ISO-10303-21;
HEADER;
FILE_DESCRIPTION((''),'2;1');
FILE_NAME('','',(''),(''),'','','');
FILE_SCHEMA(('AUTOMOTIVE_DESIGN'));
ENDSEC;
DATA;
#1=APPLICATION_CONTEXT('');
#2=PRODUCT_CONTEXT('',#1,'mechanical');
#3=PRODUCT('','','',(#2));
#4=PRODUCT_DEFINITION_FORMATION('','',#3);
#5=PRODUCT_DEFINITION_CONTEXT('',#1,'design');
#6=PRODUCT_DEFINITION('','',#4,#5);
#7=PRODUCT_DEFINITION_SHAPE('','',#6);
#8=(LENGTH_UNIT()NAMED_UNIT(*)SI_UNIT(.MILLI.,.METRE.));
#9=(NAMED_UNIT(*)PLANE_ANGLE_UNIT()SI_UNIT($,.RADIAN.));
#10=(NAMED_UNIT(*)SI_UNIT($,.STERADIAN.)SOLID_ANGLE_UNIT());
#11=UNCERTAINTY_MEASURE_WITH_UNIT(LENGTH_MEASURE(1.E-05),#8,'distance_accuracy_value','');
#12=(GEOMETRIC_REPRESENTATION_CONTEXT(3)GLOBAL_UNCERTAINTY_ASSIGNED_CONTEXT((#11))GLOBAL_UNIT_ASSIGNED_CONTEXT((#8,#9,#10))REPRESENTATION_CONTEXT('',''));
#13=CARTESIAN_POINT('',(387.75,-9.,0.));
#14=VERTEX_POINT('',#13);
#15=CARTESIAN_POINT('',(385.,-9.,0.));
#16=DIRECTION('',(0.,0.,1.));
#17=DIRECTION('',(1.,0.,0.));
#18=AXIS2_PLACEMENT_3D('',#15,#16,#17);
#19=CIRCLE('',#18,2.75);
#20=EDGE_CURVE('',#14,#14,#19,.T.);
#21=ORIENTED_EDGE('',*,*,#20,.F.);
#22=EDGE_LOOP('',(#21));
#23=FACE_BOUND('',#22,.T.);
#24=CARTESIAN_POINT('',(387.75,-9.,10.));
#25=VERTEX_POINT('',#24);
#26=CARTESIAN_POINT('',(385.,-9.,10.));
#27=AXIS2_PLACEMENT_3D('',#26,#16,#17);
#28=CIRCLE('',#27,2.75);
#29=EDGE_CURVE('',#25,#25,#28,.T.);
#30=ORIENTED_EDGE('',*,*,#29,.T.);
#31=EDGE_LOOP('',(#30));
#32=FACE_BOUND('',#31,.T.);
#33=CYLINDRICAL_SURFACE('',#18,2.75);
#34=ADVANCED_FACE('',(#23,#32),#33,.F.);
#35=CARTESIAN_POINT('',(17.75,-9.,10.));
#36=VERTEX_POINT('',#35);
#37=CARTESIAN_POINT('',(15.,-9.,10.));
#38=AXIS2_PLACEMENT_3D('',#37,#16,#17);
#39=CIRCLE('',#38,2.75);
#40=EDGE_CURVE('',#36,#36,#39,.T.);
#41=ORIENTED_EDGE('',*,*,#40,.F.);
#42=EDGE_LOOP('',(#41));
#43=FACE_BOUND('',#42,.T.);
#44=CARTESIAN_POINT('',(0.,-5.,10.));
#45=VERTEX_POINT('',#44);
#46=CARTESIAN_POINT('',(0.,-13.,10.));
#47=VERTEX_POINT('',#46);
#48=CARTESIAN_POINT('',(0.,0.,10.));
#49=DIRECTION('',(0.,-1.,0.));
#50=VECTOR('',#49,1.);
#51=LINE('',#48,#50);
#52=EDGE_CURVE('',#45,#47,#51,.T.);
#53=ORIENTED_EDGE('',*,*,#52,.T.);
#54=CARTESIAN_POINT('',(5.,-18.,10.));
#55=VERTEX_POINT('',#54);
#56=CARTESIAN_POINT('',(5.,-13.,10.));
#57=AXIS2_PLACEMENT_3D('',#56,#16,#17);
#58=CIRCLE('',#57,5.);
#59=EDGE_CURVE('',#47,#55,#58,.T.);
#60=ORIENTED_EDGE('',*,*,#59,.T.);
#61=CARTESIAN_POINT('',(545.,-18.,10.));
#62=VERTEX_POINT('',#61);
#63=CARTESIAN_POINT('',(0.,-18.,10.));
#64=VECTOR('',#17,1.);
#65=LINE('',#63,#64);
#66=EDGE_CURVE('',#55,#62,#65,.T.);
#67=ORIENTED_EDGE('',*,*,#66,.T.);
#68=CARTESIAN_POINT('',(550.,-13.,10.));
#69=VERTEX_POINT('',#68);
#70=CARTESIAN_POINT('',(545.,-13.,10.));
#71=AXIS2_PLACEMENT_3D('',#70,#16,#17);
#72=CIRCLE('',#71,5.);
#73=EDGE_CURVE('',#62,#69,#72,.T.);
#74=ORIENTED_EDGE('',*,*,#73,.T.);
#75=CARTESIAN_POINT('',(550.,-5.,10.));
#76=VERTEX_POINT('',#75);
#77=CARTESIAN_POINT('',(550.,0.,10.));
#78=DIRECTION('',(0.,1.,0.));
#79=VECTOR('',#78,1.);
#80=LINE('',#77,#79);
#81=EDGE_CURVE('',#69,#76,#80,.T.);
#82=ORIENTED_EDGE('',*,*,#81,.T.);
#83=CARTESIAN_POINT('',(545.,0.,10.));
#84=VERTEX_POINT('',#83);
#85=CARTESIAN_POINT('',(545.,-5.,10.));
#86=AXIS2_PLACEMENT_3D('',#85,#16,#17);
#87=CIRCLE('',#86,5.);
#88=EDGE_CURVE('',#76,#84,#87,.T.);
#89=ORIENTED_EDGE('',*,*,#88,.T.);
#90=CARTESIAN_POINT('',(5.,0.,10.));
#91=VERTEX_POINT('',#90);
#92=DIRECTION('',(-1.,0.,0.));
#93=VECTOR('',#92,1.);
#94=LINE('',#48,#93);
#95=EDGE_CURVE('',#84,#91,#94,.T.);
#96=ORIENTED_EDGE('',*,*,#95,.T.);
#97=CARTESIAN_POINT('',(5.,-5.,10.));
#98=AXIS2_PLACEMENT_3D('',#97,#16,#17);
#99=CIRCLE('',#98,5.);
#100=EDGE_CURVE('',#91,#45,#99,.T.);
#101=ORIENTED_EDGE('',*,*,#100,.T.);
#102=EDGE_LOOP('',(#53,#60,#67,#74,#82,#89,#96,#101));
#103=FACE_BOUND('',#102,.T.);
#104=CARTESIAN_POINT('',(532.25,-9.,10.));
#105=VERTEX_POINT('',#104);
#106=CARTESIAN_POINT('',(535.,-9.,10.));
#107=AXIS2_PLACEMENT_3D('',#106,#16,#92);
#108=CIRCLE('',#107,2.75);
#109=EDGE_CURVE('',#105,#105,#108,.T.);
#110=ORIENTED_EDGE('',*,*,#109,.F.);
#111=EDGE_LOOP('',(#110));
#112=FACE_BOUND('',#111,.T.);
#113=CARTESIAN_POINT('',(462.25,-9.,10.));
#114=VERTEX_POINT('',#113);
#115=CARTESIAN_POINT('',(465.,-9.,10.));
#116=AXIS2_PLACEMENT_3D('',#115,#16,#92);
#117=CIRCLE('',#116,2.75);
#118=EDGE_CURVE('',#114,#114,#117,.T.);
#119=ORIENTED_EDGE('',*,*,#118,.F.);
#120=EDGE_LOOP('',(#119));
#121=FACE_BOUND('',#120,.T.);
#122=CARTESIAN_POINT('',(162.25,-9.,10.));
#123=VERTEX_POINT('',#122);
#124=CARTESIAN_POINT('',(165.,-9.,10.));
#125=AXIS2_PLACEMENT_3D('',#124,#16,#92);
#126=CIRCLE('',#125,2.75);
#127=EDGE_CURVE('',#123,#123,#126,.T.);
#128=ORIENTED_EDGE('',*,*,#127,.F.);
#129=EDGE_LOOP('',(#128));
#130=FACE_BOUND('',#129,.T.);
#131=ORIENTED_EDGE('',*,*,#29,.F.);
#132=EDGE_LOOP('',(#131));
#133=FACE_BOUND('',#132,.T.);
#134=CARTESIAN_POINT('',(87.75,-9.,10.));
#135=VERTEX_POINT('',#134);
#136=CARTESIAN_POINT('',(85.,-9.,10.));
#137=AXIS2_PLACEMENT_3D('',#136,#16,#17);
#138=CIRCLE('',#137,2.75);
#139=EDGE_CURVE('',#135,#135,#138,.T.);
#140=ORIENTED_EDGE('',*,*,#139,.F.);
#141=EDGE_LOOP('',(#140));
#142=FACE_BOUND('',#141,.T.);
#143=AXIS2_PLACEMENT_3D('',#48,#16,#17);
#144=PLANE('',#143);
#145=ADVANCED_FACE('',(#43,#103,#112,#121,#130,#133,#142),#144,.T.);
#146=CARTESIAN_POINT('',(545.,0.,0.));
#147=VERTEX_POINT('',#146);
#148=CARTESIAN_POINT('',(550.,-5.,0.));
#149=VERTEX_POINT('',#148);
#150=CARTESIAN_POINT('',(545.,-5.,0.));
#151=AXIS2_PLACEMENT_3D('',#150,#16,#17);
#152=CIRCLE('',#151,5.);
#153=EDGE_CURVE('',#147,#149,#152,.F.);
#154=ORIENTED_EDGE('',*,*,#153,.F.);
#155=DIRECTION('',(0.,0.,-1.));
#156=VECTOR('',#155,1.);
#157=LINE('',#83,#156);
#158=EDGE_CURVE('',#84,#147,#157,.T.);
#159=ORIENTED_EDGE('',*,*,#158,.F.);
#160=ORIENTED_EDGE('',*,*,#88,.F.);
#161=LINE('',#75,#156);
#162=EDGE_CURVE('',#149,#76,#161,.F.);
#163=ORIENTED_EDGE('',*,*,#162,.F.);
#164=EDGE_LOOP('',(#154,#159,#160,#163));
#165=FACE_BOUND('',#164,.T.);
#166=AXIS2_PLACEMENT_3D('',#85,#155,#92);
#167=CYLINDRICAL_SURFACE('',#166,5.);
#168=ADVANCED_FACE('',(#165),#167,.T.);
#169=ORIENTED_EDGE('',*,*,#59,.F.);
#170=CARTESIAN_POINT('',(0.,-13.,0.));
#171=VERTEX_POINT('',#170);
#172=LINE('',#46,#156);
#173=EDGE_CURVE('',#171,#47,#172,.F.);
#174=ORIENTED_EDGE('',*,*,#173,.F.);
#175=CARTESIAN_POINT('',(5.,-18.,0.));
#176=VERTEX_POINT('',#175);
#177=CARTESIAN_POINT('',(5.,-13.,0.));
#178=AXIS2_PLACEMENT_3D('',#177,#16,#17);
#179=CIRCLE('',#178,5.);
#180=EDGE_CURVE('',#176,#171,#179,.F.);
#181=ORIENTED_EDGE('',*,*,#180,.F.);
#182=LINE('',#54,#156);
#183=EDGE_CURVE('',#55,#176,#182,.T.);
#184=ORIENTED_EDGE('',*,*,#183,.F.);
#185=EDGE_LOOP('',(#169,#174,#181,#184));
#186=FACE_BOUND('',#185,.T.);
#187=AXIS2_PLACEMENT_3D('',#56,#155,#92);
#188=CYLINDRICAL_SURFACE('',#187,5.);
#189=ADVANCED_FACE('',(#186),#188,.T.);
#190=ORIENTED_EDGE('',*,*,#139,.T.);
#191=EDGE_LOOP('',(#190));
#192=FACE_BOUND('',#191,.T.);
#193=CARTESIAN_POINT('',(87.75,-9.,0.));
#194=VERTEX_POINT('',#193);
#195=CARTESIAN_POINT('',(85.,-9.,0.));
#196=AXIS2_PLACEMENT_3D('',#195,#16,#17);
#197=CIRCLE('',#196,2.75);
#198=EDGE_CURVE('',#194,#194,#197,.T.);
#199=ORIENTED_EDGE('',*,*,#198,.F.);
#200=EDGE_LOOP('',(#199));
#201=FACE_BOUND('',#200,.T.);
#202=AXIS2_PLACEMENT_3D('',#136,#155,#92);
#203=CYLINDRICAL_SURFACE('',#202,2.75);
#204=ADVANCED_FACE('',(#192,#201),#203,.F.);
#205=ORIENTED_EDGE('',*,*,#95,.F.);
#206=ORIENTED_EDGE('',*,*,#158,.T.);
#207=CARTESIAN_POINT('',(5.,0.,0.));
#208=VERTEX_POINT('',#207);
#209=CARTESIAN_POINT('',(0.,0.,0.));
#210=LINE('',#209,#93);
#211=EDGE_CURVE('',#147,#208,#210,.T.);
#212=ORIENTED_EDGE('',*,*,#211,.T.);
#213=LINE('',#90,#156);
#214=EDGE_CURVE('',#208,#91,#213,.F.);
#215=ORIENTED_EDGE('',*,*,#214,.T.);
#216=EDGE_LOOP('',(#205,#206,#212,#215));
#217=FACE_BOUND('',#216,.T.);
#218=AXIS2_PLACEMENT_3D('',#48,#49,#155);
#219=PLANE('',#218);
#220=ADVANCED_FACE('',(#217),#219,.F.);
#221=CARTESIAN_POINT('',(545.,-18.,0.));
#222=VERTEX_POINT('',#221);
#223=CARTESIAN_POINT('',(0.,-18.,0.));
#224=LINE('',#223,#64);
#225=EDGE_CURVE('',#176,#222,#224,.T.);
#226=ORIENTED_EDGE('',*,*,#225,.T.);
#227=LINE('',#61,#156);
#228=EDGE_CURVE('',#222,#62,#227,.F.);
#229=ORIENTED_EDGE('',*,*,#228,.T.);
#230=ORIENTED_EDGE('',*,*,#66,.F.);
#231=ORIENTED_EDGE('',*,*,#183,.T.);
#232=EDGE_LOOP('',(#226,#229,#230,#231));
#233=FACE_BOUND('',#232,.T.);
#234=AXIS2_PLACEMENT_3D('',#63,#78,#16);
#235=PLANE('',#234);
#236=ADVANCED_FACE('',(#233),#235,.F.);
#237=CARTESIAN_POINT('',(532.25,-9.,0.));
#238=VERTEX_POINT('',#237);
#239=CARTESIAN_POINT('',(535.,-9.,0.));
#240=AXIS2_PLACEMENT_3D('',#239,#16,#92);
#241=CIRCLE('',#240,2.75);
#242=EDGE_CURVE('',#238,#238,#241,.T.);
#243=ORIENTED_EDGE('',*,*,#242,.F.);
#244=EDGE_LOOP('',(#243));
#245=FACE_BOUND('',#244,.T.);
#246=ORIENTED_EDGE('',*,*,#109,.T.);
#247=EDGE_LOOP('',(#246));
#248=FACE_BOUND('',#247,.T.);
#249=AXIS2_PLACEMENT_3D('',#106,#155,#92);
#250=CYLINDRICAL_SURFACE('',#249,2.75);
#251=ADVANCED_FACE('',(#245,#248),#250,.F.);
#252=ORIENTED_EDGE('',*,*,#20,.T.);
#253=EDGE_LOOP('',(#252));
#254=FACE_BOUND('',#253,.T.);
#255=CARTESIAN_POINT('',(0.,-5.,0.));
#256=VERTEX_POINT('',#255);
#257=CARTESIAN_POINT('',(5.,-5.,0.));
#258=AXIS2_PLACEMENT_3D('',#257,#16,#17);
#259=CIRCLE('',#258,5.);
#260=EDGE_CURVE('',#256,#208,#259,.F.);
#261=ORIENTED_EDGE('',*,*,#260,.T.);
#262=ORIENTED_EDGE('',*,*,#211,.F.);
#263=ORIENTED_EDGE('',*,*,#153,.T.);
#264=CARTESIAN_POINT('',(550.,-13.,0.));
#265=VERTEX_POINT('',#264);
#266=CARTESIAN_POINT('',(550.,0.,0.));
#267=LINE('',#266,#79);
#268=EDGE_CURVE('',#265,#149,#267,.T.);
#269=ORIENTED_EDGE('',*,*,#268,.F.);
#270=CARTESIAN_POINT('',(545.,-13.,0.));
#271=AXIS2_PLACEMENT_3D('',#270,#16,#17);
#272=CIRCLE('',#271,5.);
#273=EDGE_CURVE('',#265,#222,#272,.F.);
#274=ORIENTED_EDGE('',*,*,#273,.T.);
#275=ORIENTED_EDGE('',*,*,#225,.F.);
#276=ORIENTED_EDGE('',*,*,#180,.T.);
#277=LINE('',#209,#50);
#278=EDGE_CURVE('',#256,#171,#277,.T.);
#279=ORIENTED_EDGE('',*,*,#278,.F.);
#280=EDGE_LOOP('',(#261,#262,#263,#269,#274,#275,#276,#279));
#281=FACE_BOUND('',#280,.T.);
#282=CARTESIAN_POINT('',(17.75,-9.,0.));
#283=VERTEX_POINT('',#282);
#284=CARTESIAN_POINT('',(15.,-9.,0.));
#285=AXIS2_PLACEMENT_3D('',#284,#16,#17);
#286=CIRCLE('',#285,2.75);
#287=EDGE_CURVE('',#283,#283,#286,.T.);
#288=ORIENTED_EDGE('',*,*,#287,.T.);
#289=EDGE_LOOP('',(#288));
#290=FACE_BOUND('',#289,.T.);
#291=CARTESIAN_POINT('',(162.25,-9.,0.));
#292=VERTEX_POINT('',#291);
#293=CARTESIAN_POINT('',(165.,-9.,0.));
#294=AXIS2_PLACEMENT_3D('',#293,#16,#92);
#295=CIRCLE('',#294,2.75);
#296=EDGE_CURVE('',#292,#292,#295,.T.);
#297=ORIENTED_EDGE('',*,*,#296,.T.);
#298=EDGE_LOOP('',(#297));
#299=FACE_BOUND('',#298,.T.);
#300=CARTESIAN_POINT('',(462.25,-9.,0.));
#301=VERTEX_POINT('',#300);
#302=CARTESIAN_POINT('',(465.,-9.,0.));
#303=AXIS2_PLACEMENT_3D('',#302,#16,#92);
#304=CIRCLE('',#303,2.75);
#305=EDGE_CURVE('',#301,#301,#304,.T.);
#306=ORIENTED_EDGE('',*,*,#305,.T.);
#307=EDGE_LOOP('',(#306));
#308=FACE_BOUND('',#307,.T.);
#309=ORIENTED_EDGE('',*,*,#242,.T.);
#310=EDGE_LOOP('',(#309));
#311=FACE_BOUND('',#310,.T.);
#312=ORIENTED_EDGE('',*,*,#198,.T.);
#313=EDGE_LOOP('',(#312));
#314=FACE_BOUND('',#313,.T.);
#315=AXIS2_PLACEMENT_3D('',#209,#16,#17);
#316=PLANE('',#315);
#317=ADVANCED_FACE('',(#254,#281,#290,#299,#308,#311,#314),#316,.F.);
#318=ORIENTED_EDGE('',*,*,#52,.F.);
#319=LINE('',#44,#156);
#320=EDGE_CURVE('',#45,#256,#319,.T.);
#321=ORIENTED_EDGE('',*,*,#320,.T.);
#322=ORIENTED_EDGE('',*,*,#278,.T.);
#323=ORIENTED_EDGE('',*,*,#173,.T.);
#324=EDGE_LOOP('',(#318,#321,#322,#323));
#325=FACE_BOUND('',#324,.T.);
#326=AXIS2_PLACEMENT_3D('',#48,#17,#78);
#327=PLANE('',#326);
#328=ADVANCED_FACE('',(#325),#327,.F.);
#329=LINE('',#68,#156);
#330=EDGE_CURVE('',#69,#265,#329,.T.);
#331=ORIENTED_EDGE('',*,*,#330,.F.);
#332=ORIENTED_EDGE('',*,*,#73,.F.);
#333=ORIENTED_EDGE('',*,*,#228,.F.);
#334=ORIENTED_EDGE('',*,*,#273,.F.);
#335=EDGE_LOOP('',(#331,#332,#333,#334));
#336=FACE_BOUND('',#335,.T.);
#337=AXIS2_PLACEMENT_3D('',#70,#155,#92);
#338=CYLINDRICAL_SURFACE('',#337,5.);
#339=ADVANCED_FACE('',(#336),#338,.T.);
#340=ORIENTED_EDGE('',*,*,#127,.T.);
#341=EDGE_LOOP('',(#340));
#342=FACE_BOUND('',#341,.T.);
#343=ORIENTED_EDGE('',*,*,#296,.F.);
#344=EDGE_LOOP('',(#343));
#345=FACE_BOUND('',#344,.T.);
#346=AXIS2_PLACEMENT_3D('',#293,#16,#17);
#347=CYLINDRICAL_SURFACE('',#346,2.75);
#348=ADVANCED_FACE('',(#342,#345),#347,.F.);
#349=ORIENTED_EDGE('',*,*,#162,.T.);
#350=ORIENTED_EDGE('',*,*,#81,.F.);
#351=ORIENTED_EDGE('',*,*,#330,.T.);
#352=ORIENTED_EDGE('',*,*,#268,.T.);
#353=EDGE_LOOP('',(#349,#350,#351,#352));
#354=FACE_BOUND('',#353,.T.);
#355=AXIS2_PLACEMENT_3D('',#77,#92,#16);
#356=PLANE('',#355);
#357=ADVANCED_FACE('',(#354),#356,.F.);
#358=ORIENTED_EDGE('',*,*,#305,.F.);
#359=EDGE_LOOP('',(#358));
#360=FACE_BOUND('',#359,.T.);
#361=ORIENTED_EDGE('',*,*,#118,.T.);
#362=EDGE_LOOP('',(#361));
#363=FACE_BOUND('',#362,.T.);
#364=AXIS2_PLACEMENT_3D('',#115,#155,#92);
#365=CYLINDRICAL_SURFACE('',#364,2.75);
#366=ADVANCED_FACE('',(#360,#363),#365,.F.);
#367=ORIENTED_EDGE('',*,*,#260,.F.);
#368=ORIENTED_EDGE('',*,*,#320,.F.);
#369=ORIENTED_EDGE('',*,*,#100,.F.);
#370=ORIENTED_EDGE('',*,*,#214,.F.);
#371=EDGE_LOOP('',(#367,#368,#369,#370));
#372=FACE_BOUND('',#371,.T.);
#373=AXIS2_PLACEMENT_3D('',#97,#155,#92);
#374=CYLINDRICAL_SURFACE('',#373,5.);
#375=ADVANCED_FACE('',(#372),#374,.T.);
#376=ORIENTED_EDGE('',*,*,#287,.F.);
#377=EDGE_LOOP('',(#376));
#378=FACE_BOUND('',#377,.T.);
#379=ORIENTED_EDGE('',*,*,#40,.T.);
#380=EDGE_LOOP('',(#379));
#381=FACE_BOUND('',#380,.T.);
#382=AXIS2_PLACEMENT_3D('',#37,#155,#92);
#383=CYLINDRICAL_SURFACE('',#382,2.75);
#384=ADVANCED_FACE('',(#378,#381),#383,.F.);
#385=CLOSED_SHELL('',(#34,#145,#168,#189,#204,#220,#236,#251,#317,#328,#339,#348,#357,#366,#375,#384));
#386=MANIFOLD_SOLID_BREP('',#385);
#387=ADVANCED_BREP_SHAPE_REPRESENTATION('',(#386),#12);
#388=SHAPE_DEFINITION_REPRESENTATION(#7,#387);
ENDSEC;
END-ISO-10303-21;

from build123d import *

# Parameters (mm, degrees)
SKETCH_1_W          = 550
SKETCH_1_H          = 18
SKETCH_1_R          = 2.75
EXTRUDE_1_DEPTH     = 10
FILLET_1_R          = 5
SKETCH_2_R          = 2.75
CUT_EXTRUDE_1_DEPTH = 10


with BuildPart() as part:
    # 草图1 → 凸台-拉伸1 (new body)
    with BuildSketch(Plane.XY):
        with Locations((275, -9)):
            Rectangle(SKETCH_1_W, SKETCH_1_H)
        with Locations((15, -9)):
            Circle(SKETCH_1_R, mode=Mode.SUBTRACT)
        with Locations((85, -9)):
            Circle(SKETCH_1_R, mode=Mode.SUBTRACT)
        with Locations(Location((465, -9, 0), (0, 0, 180))):
            Circle(SKETCH_1_R, mode=Mode.SUBTRACT)
        with Locations(Location((535, -9, 0), (0, 0, 180))):
            Circle(SKETCH_1_R, mode=Mode.SUBTRACT)
    extrude(amount=EXTRUDE_1_DEPTH)

    # 圆角1
    fillet_1_edges = [part.edges().sort_by_distance(p)[0] for p in [
        (0, 0, 5),
        (550, 0, 5),
        (550, -18, 5),
        (0, -18, 5),
    ]]
    fillet(fillet_1_edges, radius=FILLET_1_R)

    # 草图2 → 切除-拉伸1 (cut)
    with BuildSketch(Plane.XY.offset(10)):
        with Locations((385, -9)):
            Circle(SKETCH_2_R)
        with Locations(Location((165, -9, 0), (0, 0, 180))):
            Circle(SKETCH_2_R)
    extrude(amount=-CUT_EXTRUDE_1_DEPTH, mode=Mode.SUBTRACT)


solid = part.part
